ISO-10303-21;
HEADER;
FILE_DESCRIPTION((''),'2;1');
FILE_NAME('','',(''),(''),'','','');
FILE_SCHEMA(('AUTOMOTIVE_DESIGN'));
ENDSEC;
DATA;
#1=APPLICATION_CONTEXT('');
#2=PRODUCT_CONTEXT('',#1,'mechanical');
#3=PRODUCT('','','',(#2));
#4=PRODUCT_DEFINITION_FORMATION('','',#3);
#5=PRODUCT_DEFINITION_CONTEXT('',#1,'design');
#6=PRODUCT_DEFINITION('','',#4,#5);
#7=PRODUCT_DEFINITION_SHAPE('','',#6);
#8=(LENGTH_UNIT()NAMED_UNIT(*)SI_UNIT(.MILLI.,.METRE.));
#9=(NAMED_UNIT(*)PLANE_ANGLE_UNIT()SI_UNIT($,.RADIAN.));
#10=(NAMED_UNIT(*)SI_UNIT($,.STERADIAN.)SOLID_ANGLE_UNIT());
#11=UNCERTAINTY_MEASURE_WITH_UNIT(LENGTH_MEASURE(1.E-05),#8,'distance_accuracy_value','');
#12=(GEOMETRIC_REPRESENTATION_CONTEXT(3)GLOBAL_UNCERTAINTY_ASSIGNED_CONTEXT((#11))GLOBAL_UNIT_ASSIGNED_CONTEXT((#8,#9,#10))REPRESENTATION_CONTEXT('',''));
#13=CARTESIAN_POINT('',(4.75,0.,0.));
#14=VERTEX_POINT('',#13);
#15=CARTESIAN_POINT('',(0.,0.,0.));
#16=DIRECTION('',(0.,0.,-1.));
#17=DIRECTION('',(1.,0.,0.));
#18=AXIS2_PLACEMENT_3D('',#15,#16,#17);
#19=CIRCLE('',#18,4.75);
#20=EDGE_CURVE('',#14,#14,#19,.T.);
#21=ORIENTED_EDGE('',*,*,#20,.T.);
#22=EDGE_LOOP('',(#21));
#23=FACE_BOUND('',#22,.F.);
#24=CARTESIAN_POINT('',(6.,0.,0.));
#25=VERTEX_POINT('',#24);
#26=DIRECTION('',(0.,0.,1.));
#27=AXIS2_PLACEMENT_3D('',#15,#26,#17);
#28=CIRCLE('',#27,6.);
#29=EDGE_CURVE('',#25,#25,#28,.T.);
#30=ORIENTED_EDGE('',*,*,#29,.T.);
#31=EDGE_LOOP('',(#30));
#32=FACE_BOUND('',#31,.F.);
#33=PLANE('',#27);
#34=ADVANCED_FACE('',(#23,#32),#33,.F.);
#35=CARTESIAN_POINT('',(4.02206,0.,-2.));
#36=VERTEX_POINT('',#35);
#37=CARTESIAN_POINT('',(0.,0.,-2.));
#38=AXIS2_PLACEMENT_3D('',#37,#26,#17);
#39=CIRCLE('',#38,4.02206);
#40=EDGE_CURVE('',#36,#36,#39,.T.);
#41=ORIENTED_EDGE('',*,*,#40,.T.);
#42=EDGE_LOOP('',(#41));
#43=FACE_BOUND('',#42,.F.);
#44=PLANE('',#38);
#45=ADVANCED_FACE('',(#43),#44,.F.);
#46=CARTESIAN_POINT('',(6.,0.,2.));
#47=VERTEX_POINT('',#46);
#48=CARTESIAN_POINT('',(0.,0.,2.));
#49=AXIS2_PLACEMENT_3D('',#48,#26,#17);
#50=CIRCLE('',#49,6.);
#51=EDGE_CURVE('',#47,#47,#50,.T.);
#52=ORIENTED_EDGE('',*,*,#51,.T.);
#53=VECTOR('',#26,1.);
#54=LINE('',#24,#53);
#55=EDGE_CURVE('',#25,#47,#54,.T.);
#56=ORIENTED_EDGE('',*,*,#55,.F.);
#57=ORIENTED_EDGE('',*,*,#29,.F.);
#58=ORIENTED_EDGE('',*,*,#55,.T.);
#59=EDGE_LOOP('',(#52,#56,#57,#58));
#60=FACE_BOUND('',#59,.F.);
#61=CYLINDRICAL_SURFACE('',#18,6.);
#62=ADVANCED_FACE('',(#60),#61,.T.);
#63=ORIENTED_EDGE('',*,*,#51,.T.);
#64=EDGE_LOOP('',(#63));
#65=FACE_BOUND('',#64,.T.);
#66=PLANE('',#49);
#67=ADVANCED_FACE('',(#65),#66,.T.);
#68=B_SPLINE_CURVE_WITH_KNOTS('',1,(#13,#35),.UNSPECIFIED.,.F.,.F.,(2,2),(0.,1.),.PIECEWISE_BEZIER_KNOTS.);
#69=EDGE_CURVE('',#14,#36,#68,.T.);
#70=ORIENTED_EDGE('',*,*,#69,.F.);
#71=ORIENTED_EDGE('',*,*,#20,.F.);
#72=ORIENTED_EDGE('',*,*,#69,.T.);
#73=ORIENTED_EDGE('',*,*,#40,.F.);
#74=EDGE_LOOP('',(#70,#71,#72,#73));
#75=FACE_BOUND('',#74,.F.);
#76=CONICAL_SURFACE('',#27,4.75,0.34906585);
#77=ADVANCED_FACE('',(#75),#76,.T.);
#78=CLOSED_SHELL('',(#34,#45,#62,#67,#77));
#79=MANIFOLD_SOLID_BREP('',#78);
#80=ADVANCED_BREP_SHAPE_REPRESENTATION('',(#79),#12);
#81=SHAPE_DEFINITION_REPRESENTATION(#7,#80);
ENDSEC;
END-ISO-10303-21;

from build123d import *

# Parameters (mm, degrees)
F0_R     = 6
F1_DEPTH = 2
F2_R     = 4.75
F3_DEPTH = 2
F3_TAPER = 20


with BuildPart() as f1:
    # F0 (on Top) → F1 (new body)
    with BuildSketch(Plane.XY):
        Circle(F0_R)
    extrude(amount=F1_DEPTH)

    # F2 (on Top) → F3 (join)
    with BuildSketch(Plane.XY):
        Circle(F2_R)
    extrude(amount=-F3_DEPTH, taper=F3_TAPER)


solid = f1.part
